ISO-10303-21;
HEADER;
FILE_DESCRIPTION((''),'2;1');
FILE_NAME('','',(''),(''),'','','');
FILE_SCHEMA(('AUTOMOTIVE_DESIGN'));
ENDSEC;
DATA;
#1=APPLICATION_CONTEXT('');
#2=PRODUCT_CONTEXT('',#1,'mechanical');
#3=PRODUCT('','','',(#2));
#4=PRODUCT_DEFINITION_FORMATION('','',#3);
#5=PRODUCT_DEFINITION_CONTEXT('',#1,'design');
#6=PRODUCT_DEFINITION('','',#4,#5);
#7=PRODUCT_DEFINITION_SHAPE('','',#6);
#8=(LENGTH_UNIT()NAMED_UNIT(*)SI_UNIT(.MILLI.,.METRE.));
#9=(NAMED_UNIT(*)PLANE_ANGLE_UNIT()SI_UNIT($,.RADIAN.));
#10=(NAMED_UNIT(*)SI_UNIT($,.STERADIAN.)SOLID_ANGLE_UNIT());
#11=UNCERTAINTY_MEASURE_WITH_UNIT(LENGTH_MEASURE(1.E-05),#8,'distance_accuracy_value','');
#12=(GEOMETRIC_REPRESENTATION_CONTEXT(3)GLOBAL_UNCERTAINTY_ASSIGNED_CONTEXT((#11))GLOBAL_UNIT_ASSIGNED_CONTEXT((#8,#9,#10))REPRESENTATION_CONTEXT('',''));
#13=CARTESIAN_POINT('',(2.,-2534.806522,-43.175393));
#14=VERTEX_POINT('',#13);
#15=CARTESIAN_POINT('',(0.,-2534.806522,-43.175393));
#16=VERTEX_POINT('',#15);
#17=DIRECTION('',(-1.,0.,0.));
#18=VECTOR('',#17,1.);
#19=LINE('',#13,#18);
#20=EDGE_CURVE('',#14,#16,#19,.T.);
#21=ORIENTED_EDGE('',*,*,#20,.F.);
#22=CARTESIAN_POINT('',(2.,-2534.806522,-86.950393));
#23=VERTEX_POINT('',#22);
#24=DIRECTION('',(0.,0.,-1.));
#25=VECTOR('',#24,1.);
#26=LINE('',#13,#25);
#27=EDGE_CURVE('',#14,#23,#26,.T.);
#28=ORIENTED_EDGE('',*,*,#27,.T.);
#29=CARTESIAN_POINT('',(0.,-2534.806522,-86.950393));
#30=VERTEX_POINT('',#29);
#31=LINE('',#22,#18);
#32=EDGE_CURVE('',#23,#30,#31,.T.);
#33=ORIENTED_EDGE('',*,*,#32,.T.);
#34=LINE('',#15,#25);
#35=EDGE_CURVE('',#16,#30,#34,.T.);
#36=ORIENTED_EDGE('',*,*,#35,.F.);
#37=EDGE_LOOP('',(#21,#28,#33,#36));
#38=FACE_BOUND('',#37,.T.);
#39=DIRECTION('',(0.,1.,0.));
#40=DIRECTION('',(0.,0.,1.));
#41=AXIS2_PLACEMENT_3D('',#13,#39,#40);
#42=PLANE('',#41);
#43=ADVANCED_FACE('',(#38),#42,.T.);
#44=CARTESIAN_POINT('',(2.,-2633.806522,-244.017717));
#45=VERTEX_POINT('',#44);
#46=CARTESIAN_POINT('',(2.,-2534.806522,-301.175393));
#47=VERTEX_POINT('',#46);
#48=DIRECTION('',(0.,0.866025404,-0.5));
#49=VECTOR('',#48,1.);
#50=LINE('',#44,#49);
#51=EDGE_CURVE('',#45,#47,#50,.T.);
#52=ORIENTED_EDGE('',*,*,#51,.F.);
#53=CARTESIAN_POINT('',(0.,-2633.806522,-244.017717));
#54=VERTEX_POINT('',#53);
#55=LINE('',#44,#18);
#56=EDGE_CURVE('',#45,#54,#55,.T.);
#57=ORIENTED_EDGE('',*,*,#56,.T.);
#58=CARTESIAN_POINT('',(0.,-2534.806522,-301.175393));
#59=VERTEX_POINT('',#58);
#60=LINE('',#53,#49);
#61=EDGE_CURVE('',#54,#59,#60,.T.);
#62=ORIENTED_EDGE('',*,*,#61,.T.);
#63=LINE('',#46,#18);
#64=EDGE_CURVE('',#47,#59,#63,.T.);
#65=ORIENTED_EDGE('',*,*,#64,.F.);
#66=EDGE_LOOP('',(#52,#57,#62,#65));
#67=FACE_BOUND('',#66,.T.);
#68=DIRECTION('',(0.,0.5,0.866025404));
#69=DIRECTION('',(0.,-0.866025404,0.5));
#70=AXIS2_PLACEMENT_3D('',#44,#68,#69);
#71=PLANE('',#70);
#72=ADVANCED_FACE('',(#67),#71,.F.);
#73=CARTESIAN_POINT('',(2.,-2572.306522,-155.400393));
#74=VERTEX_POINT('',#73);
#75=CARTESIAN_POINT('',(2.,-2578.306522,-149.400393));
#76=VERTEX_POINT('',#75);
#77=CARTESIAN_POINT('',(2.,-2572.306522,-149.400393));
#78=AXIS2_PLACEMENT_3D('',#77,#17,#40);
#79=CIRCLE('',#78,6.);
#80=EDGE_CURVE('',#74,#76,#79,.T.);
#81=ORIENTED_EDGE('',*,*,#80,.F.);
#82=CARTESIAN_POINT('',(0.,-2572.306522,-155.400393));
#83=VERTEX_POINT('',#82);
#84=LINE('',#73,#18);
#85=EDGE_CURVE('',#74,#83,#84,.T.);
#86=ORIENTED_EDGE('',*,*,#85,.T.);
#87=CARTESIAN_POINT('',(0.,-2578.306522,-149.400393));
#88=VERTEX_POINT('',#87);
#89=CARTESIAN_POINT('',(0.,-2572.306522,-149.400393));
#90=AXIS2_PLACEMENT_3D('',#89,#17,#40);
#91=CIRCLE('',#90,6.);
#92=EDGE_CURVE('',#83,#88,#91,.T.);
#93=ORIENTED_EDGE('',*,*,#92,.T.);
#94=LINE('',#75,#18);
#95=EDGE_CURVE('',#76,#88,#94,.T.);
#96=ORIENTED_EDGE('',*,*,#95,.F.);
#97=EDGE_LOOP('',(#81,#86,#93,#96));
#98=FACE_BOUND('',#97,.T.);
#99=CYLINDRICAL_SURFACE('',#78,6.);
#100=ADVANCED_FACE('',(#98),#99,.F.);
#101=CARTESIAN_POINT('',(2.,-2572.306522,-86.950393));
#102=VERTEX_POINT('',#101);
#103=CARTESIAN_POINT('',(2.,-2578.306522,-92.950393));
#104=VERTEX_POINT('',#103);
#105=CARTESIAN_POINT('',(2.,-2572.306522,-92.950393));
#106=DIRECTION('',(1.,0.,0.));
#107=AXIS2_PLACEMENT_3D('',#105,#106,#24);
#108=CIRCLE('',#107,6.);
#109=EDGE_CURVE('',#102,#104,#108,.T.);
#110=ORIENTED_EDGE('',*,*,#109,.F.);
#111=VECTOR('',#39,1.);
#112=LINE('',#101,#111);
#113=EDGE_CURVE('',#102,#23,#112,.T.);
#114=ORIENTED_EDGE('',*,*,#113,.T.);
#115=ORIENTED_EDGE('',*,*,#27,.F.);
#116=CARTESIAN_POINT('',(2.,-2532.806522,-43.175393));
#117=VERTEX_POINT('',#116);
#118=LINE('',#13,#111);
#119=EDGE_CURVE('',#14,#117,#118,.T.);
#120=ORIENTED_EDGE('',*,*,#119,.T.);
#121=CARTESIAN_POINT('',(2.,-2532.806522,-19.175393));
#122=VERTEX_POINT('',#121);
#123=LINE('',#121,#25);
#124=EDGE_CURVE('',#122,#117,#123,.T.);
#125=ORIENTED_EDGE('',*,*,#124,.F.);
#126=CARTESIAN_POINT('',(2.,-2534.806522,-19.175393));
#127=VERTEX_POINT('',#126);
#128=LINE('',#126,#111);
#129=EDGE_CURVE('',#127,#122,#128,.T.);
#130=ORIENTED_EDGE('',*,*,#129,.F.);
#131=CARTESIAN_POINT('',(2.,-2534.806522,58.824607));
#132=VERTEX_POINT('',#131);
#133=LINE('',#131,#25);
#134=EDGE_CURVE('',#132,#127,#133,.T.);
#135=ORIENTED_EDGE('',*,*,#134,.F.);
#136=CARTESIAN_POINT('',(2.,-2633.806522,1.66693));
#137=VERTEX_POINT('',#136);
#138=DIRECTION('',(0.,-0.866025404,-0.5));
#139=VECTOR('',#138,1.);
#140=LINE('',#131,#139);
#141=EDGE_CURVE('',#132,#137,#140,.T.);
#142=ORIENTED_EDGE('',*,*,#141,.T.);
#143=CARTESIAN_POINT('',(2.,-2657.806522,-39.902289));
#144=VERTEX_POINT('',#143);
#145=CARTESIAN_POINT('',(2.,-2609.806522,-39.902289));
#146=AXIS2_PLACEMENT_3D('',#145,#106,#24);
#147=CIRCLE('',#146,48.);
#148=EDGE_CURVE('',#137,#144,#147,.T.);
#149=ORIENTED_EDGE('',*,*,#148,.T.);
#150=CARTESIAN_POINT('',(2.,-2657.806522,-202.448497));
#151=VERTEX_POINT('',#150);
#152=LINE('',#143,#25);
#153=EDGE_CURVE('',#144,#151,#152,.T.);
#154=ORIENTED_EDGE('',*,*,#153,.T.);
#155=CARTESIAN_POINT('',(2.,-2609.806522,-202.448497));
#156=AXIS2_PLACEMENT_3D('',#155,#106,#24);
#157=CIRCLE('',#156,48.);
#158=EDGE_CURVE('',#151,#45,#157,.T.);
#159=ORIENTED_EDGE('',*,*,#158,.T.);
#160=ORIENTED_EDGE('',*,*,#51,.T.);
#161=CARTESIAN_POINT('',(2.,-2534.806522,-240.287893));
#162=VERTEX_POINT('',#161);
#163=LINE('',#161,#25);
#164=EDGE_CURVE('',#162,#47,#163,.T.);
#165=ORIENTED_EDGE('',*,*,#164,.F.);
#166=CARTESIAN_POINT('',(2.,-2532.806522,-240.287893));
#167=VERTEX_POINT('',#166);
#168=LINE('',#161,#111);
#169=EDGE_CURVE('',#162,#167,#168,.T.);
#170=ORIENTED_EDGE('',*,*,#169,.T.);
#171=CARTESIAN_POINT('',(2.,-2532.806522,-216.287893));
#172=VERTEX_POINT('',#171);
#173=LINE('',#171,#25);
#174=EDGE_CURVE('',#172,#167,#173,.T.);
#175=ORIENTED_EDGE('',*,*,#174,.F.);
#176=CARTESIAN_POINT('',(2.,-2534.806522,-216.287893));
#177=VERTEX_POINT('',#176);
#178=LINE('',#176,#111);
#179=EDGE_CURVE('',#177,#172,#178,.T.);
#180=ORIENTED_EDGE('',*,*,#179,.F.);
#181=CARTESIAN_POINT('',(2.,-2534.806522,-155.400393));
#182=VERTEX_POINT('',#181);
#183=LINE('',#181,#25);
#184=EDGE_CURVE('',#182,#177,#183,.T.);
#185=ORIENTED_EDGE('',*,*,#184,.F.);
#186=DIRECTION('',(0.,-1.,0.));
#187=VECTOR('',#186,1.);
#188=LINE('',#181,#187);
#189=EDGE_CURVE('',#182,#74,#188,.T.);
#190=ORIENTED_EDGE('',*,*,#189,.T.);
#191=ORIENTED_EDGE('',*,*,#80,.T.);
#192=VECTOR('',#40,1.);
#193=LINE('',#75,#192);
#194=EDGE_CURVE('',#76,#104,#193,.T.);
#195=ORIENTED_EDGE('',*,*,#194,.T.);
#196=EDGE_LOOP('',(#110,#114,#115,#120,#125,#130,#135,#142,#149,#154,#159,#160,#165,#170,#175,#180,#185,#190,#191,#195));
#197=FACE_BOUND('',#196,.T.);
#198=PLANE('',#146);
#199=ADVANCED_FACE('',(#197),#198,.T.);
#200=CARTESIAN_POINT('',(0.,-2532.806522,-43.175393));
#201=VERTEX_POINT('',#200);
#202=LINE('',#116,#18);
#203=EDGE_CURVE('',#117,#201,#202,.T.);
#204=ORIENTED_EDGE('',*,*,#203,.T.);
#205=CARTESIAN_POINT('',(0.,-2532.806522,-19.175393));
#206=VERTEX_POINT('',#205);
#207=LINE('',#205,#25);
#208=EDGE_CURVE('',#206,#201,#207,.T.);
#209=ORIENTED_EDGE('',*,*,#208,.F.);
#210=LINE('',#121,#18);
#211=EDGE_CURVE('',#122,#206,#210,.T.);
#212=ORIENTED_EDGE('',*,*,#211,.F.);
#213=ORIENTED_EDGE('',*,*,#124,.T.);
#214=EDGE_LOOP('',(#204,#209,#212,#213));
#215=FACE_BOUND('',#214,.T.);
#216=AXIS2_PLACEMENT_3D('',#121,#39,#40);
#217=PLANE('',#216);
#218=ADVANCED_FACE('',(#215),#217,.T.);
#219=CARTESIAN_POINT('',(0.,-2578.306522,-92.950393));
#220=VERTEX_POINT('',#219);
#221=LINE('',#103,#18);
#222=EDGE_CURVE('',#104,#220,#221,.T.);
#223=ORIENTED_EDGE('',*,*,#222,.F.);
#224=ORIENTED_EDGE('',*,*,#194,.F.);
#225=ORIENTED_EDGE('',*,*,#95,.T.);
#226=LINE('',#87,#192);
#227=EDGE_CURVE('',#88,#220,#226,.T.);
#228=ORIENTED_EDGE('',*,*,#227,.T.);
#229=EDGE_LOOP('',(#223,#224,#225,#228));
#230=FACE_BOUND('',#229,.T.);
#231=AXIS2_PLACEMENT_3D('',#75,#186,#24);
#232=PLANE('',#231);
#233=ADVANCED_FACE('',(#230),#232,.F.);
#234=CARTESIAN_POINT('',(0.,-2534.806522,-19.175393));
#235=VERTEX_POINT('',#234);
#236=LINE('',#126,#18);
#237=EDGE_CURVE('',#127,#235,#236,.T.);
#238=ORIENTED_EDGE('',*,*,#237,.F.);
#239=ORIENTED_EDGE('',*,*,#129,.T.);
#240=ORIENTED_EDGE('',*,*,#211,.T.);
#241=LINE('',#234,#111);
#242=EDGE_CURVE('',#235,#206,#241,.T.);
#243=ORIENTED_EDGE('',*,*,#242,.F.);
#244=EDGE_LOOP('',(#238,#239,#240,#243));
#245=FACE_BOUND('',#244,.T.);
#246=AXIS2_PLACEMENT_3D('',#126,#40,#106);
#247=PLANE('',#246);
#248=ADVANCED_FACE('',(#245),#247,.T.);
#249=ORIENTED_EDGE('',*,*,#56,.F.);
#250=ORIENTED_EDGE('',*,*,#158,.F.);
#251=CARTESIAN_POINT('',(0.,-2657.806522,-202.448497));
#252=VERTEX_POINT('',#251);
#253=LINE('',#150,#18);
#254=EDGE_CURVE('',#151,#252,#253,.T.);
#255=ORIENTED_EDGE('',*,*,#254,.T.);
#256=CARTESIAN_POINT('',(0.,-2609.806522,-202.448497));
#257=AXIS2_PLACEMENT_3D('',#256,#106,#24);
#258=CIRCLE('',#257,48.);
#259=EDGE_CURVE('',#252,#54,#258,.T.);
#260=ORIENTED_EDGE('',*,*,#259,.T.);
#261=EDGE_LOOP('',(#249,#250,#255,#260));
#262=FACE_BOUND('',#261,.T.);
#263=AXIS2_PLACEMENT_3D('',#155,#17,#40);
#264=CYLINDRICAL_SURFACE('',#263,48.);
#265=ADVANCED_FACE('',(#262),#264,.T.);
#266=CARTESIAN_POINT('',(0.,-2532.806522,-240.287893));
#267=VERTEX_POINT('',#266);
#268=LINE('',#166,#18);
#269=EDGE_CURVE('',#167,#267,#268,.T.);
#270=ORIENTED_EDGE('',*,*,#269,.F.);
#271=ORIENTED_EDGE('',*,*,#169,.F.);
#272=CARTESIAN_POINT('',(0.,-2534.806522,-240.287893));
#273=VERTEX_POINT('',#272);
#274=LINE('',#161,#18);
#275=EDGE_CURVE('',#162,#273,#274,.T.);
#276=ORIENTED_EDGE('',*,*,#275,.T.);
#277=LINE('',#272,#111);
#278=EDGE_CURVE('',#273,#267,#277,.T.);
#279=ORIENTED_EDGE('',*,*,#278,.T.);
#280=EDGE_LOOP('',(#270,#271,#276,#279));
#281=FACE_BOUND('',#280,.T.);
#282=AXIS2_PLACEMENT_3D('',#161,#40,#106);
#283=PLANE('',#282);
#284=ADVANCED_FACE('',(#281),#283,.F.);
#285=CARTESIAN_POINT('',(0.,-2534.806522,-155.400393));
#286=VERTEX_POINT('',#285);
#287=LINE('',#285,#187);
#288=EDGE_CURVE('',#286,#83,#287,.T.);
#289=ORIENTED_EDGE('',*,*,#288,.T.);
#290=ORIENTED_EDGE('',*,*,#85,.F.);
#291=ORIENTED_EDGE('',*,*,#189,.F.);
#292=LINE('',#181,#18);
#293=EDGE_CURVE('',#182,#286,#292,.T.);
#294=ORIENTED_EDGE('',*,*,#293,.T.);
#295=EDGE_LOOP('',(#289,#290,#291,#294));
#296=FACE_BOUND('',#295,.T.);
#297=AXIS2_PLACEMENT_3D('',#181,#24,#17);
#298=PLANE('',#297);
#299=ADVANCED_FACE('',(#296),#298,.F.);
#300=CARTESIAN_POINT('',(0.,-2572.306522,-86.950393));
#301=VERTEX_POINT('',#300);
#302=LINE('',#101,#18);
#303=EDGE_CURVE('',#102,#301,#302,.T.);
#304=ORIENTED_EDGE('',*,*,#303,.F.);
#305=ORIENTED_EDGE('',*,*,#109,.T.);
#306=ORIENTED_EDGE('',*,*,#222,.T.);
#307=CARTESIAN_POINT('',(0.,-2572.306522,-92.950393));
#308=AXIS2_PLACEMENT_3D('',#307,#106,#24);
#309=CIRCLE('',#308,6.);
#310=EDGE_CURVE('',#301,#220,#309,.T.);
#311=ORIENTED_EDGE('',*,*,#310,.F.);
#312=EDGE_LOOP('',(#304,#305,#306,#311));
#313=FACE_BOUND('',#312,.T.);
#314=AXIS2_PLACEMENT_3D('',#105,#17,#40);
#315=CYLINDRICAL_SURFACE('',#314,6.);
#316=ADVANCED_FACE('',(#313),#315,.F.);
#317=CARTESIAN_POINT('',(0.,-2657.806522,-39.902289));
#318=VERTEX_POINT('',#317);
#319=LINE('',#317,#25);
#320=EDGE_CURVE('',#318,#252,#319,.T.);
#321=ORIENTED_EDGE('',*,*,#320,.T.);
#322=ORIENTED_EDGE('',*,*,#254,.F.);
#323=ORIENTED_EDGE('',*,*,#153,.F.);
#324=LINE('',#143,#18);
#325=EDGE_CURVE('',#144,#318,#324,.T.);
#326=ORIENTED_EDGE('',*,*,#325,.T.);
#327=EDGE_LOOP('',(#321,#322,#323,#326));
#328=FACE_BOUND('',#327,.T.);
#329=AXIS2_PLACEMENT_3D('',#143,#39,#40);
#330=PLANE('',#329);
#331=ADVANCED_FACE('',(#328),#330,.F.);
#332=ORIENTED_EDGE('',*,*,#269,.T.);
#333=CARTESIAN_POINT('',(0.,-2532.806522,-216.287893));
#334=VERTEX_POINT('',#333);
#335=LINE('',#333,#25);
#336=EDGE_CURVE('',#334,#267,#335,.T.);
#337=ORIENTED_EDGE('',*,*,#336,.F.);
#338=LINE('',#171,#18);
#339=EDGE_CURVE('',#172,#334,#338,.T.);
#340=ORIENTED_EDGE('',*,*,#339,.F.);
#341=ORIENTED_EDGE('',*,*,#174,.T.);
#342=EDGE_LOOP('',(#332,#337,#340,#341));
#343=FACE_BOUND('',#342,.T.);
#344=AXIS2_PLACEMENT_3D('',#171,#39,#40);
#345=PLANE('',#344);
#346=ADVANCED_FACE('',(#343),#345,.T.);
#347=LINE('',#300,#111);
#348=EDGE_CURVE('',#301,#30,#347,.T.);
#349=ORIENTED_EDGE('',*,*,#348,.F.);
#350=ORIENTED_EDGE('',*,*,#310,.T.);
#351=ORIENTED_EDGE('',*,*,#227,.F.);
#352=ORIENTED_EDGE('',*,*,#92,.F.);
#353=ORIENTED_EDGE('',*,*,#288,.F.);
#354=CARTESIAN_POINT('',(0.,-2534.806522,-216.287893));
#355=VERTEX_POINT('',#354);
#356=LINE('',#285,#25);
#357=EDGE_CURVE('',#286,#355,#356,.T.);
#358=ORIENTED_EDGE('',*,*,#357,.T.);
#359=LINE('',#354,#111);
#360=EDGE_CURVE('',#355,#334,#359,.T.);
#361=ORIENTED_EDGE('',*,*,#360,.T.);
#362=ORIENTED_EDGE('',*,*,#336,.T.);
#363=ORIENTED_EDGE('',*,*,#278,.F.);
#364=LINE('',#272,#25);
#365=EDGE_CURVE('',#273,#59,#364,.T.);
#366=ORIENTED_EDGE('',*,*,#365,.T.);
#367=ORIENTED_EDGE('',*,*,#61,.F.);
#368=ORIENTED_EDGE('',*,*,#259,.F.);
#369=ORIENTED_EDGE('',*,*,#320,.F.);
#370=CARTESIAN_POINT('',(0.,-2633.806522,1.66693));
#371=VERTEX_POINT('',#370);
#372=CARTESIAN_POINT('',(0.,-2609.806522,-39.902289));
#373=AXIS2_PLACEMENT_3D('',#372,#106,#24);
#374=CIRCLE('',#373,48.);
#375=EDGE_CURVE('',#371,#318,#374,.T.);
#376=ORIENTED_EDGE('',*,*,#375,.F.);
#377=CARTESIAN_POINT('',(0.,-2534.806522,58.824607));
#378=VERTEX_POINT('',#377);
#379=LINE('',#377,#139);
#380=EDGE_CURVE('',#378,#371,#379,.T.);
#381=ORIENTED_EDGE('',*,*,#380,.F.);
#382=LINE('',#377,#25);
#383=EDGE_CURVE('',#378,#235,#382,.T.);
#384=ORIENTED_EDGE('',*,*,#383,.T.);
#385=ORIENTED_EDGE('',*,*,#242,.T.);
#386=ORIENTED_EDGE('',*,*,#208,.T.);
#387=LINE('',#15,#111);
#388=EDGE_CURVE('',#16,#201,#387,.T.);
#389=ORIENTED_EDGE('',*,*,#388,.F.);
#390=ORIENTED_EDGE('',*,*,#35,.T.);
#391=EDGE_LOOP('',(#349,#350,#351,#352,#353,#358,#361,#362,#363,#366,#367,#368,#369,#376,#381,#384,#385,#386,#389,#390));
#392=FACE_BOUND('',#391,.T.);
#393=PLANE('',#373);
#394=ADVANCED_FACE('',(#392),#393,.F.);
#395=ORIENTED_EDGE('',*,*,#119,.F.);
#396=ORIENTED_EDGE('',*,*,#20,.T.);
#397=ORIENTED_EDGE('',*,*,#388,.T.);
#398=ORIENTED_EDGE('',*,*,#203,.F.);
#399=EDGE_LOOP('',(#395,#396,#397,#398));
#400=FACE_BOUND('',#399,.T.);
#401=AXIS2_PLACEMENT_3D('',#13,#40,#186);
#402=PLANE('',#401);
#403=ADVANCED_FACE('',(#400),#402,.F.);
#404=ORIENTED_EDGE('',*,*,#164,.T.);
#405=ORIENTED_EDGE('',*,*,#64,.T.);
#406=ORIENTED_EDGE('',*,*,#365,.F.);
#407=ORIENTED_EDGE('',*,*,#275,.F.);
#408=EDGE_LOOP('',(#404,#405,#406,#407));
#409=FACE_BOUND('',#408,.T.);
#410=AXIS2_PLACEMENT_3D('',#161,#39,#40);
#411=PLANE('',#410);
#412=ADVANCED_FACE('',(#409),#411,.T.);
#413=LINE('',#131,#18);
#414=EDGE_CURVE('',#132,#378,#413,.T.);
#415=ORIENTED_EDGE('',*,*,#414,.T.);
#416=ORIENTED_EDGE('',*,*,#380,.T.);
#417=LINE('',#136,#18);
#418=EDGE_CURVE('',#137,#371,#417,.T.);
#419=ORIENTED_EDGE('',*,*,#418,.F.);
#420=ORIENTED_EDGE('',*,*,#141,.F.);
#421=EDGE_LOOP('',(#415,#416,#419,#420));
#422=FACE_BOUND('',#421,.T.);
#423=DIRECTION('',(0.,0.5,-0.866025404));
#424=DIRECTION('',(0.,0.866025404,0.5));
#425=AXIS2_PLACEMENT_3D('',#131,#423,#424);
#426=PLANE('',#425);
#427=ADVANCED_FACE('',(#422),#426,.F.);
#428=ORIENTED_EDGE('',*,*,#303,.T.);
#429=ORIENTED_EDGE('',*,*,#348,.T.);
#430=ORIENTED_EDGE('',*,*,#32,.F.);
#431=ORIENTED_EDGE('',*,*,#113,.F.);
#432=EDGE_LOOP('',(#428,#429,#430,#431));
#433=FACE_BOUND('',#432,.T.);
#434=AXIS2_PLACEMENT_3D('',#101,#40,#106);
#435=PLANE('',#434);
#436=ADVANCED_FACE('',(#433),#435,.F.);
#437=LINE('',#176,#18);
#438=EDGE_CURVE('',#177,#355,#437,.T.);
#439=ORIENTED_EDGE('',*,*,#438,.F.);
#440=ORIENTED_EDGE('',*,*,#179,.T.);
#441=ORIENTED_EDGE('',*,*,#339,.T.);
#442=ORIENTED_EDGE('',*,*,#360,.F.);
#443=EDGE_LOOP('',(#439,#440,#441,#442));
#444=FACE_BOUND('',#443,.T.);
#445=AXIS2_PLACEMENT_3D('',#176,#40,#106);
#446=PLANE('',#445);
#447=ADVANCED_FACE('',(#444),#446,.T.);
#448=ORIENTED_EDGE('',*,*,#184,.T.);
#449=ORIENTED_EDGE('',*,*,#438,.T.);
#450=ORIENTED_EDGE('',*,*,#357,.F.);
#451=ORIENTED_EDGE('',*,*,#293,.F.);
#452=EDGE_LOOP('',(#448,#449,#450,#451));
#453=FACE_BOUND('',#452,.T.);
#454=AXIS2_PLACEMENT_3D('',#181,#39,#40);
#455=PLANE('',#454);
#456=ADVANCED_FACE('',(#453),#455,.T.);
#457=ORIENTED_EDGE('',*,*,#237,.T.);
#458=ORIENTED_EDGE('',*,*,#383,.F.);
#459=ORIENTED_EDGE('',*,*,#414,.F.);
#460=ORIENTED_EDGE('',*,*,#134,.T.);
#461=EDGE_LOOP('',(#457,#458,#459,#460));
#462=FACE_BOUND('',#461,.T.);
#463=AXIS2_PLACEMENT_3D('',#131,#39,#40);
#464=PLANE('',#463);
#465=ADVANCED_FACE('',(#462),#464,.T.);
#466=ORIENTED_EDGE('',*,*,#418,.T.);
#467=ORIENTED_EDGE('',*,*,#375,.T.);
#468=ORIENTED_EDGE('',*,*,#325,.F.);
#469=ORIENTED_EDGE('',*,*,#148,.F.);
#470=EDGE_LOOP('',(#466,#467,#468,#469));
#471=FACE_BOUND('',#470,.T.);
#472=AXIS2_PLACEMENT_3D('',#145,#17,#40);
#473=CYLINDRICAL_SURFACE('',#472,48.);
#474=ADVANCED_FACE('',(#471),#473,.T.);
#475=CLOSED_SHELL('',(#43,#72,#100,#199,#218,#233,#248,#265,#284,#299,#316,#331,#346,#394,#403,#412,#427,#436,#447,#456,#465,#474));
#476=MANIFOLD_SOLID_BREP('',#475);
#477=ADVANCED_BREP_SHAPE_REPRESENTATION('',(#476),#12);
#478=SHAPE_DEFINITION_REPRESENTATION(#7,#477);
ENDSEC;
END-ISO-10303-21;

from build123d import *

# Parameters (mm, degrees)
BOSS_EXTRUDE1_DEPTH = 2


with BuildPart() as part:
    # Sketch3 → Boss-Extrude1 (new body)
    with BuildSketch(Plane(origin=(0, 0, 0), x_dir=(0, 0, -1), z_dir=(1, 0, 0))):
        with BuildLine():
            Line((-58.824606693, -2534.80652233), (-1.666930044, -2633.80652233))
            ThreePointArc((-1.666930044, -2633.80652233), (15.902289338, -2651.375741711), (39.902289338, -2657.80652233))
            Line((39.902289338, -2657.80652233), (202.448497275, -2657.80652233))
            ThreePointArc((202.448497275, -2657.80652233), (226.448497275, -2651.375741711), (244.017716657, -2633.80652233))
            Line((244.017716657, -2633.80652233), (301.175393307, -2534.80652233))
            Line((301.175393307, -2534.80652233), (240.287893307, -2534.80652233))
            Line((240.287893307, -2534.80652233), (240.287893307, -2532.80652233))
            Line((240.287893307, -2532.80652233), (216.287893307, -2532.80652233))
            Line((216.287893307, -2532.80652233), (216.287893307, -2534.80652233))
            Line((216.287893307, -2534.80652233), (155.400393307, -2534.80652233))
            Line((155.400393307, -2534.80652233), (155.400393307, -2572.30652233))
            ThreePointArc((155.400393307, -2572.30652233), (153.643033994, -2576.549163017), (149.400393307, -2578.30652233))
            Line((149.400393307, -2578.30652233), (92.950393307, -2578.30652233))
            ThreePointArc((92.950393307, -2578.30652233), (88.70775262, -2576.549163017), (86.950393307, -2572.30652233))
            Line((86.950393307, -2572.30652233), (86.950393307, -2534.80652233))
            Line((86.950393307, -2534.80652233), (43.175393307, -2534.80652233))
            Line((43.175393307, -2534.80652233), (43.175393307, -2532.80652233))
            Line((43.175393307, -2532.80652233), (19.175393307, -2532.80652233))
            Line((19.175393307, -2532.80652233), (19.175393307, -2534.80652233))
            Line((19.175393307, -2534.80652233), (-58.824606693, -2534.80652233))
        make_face()
    extrude(amount=BOSS_EXTRUDE1_DEPTH)


solid = part.part
